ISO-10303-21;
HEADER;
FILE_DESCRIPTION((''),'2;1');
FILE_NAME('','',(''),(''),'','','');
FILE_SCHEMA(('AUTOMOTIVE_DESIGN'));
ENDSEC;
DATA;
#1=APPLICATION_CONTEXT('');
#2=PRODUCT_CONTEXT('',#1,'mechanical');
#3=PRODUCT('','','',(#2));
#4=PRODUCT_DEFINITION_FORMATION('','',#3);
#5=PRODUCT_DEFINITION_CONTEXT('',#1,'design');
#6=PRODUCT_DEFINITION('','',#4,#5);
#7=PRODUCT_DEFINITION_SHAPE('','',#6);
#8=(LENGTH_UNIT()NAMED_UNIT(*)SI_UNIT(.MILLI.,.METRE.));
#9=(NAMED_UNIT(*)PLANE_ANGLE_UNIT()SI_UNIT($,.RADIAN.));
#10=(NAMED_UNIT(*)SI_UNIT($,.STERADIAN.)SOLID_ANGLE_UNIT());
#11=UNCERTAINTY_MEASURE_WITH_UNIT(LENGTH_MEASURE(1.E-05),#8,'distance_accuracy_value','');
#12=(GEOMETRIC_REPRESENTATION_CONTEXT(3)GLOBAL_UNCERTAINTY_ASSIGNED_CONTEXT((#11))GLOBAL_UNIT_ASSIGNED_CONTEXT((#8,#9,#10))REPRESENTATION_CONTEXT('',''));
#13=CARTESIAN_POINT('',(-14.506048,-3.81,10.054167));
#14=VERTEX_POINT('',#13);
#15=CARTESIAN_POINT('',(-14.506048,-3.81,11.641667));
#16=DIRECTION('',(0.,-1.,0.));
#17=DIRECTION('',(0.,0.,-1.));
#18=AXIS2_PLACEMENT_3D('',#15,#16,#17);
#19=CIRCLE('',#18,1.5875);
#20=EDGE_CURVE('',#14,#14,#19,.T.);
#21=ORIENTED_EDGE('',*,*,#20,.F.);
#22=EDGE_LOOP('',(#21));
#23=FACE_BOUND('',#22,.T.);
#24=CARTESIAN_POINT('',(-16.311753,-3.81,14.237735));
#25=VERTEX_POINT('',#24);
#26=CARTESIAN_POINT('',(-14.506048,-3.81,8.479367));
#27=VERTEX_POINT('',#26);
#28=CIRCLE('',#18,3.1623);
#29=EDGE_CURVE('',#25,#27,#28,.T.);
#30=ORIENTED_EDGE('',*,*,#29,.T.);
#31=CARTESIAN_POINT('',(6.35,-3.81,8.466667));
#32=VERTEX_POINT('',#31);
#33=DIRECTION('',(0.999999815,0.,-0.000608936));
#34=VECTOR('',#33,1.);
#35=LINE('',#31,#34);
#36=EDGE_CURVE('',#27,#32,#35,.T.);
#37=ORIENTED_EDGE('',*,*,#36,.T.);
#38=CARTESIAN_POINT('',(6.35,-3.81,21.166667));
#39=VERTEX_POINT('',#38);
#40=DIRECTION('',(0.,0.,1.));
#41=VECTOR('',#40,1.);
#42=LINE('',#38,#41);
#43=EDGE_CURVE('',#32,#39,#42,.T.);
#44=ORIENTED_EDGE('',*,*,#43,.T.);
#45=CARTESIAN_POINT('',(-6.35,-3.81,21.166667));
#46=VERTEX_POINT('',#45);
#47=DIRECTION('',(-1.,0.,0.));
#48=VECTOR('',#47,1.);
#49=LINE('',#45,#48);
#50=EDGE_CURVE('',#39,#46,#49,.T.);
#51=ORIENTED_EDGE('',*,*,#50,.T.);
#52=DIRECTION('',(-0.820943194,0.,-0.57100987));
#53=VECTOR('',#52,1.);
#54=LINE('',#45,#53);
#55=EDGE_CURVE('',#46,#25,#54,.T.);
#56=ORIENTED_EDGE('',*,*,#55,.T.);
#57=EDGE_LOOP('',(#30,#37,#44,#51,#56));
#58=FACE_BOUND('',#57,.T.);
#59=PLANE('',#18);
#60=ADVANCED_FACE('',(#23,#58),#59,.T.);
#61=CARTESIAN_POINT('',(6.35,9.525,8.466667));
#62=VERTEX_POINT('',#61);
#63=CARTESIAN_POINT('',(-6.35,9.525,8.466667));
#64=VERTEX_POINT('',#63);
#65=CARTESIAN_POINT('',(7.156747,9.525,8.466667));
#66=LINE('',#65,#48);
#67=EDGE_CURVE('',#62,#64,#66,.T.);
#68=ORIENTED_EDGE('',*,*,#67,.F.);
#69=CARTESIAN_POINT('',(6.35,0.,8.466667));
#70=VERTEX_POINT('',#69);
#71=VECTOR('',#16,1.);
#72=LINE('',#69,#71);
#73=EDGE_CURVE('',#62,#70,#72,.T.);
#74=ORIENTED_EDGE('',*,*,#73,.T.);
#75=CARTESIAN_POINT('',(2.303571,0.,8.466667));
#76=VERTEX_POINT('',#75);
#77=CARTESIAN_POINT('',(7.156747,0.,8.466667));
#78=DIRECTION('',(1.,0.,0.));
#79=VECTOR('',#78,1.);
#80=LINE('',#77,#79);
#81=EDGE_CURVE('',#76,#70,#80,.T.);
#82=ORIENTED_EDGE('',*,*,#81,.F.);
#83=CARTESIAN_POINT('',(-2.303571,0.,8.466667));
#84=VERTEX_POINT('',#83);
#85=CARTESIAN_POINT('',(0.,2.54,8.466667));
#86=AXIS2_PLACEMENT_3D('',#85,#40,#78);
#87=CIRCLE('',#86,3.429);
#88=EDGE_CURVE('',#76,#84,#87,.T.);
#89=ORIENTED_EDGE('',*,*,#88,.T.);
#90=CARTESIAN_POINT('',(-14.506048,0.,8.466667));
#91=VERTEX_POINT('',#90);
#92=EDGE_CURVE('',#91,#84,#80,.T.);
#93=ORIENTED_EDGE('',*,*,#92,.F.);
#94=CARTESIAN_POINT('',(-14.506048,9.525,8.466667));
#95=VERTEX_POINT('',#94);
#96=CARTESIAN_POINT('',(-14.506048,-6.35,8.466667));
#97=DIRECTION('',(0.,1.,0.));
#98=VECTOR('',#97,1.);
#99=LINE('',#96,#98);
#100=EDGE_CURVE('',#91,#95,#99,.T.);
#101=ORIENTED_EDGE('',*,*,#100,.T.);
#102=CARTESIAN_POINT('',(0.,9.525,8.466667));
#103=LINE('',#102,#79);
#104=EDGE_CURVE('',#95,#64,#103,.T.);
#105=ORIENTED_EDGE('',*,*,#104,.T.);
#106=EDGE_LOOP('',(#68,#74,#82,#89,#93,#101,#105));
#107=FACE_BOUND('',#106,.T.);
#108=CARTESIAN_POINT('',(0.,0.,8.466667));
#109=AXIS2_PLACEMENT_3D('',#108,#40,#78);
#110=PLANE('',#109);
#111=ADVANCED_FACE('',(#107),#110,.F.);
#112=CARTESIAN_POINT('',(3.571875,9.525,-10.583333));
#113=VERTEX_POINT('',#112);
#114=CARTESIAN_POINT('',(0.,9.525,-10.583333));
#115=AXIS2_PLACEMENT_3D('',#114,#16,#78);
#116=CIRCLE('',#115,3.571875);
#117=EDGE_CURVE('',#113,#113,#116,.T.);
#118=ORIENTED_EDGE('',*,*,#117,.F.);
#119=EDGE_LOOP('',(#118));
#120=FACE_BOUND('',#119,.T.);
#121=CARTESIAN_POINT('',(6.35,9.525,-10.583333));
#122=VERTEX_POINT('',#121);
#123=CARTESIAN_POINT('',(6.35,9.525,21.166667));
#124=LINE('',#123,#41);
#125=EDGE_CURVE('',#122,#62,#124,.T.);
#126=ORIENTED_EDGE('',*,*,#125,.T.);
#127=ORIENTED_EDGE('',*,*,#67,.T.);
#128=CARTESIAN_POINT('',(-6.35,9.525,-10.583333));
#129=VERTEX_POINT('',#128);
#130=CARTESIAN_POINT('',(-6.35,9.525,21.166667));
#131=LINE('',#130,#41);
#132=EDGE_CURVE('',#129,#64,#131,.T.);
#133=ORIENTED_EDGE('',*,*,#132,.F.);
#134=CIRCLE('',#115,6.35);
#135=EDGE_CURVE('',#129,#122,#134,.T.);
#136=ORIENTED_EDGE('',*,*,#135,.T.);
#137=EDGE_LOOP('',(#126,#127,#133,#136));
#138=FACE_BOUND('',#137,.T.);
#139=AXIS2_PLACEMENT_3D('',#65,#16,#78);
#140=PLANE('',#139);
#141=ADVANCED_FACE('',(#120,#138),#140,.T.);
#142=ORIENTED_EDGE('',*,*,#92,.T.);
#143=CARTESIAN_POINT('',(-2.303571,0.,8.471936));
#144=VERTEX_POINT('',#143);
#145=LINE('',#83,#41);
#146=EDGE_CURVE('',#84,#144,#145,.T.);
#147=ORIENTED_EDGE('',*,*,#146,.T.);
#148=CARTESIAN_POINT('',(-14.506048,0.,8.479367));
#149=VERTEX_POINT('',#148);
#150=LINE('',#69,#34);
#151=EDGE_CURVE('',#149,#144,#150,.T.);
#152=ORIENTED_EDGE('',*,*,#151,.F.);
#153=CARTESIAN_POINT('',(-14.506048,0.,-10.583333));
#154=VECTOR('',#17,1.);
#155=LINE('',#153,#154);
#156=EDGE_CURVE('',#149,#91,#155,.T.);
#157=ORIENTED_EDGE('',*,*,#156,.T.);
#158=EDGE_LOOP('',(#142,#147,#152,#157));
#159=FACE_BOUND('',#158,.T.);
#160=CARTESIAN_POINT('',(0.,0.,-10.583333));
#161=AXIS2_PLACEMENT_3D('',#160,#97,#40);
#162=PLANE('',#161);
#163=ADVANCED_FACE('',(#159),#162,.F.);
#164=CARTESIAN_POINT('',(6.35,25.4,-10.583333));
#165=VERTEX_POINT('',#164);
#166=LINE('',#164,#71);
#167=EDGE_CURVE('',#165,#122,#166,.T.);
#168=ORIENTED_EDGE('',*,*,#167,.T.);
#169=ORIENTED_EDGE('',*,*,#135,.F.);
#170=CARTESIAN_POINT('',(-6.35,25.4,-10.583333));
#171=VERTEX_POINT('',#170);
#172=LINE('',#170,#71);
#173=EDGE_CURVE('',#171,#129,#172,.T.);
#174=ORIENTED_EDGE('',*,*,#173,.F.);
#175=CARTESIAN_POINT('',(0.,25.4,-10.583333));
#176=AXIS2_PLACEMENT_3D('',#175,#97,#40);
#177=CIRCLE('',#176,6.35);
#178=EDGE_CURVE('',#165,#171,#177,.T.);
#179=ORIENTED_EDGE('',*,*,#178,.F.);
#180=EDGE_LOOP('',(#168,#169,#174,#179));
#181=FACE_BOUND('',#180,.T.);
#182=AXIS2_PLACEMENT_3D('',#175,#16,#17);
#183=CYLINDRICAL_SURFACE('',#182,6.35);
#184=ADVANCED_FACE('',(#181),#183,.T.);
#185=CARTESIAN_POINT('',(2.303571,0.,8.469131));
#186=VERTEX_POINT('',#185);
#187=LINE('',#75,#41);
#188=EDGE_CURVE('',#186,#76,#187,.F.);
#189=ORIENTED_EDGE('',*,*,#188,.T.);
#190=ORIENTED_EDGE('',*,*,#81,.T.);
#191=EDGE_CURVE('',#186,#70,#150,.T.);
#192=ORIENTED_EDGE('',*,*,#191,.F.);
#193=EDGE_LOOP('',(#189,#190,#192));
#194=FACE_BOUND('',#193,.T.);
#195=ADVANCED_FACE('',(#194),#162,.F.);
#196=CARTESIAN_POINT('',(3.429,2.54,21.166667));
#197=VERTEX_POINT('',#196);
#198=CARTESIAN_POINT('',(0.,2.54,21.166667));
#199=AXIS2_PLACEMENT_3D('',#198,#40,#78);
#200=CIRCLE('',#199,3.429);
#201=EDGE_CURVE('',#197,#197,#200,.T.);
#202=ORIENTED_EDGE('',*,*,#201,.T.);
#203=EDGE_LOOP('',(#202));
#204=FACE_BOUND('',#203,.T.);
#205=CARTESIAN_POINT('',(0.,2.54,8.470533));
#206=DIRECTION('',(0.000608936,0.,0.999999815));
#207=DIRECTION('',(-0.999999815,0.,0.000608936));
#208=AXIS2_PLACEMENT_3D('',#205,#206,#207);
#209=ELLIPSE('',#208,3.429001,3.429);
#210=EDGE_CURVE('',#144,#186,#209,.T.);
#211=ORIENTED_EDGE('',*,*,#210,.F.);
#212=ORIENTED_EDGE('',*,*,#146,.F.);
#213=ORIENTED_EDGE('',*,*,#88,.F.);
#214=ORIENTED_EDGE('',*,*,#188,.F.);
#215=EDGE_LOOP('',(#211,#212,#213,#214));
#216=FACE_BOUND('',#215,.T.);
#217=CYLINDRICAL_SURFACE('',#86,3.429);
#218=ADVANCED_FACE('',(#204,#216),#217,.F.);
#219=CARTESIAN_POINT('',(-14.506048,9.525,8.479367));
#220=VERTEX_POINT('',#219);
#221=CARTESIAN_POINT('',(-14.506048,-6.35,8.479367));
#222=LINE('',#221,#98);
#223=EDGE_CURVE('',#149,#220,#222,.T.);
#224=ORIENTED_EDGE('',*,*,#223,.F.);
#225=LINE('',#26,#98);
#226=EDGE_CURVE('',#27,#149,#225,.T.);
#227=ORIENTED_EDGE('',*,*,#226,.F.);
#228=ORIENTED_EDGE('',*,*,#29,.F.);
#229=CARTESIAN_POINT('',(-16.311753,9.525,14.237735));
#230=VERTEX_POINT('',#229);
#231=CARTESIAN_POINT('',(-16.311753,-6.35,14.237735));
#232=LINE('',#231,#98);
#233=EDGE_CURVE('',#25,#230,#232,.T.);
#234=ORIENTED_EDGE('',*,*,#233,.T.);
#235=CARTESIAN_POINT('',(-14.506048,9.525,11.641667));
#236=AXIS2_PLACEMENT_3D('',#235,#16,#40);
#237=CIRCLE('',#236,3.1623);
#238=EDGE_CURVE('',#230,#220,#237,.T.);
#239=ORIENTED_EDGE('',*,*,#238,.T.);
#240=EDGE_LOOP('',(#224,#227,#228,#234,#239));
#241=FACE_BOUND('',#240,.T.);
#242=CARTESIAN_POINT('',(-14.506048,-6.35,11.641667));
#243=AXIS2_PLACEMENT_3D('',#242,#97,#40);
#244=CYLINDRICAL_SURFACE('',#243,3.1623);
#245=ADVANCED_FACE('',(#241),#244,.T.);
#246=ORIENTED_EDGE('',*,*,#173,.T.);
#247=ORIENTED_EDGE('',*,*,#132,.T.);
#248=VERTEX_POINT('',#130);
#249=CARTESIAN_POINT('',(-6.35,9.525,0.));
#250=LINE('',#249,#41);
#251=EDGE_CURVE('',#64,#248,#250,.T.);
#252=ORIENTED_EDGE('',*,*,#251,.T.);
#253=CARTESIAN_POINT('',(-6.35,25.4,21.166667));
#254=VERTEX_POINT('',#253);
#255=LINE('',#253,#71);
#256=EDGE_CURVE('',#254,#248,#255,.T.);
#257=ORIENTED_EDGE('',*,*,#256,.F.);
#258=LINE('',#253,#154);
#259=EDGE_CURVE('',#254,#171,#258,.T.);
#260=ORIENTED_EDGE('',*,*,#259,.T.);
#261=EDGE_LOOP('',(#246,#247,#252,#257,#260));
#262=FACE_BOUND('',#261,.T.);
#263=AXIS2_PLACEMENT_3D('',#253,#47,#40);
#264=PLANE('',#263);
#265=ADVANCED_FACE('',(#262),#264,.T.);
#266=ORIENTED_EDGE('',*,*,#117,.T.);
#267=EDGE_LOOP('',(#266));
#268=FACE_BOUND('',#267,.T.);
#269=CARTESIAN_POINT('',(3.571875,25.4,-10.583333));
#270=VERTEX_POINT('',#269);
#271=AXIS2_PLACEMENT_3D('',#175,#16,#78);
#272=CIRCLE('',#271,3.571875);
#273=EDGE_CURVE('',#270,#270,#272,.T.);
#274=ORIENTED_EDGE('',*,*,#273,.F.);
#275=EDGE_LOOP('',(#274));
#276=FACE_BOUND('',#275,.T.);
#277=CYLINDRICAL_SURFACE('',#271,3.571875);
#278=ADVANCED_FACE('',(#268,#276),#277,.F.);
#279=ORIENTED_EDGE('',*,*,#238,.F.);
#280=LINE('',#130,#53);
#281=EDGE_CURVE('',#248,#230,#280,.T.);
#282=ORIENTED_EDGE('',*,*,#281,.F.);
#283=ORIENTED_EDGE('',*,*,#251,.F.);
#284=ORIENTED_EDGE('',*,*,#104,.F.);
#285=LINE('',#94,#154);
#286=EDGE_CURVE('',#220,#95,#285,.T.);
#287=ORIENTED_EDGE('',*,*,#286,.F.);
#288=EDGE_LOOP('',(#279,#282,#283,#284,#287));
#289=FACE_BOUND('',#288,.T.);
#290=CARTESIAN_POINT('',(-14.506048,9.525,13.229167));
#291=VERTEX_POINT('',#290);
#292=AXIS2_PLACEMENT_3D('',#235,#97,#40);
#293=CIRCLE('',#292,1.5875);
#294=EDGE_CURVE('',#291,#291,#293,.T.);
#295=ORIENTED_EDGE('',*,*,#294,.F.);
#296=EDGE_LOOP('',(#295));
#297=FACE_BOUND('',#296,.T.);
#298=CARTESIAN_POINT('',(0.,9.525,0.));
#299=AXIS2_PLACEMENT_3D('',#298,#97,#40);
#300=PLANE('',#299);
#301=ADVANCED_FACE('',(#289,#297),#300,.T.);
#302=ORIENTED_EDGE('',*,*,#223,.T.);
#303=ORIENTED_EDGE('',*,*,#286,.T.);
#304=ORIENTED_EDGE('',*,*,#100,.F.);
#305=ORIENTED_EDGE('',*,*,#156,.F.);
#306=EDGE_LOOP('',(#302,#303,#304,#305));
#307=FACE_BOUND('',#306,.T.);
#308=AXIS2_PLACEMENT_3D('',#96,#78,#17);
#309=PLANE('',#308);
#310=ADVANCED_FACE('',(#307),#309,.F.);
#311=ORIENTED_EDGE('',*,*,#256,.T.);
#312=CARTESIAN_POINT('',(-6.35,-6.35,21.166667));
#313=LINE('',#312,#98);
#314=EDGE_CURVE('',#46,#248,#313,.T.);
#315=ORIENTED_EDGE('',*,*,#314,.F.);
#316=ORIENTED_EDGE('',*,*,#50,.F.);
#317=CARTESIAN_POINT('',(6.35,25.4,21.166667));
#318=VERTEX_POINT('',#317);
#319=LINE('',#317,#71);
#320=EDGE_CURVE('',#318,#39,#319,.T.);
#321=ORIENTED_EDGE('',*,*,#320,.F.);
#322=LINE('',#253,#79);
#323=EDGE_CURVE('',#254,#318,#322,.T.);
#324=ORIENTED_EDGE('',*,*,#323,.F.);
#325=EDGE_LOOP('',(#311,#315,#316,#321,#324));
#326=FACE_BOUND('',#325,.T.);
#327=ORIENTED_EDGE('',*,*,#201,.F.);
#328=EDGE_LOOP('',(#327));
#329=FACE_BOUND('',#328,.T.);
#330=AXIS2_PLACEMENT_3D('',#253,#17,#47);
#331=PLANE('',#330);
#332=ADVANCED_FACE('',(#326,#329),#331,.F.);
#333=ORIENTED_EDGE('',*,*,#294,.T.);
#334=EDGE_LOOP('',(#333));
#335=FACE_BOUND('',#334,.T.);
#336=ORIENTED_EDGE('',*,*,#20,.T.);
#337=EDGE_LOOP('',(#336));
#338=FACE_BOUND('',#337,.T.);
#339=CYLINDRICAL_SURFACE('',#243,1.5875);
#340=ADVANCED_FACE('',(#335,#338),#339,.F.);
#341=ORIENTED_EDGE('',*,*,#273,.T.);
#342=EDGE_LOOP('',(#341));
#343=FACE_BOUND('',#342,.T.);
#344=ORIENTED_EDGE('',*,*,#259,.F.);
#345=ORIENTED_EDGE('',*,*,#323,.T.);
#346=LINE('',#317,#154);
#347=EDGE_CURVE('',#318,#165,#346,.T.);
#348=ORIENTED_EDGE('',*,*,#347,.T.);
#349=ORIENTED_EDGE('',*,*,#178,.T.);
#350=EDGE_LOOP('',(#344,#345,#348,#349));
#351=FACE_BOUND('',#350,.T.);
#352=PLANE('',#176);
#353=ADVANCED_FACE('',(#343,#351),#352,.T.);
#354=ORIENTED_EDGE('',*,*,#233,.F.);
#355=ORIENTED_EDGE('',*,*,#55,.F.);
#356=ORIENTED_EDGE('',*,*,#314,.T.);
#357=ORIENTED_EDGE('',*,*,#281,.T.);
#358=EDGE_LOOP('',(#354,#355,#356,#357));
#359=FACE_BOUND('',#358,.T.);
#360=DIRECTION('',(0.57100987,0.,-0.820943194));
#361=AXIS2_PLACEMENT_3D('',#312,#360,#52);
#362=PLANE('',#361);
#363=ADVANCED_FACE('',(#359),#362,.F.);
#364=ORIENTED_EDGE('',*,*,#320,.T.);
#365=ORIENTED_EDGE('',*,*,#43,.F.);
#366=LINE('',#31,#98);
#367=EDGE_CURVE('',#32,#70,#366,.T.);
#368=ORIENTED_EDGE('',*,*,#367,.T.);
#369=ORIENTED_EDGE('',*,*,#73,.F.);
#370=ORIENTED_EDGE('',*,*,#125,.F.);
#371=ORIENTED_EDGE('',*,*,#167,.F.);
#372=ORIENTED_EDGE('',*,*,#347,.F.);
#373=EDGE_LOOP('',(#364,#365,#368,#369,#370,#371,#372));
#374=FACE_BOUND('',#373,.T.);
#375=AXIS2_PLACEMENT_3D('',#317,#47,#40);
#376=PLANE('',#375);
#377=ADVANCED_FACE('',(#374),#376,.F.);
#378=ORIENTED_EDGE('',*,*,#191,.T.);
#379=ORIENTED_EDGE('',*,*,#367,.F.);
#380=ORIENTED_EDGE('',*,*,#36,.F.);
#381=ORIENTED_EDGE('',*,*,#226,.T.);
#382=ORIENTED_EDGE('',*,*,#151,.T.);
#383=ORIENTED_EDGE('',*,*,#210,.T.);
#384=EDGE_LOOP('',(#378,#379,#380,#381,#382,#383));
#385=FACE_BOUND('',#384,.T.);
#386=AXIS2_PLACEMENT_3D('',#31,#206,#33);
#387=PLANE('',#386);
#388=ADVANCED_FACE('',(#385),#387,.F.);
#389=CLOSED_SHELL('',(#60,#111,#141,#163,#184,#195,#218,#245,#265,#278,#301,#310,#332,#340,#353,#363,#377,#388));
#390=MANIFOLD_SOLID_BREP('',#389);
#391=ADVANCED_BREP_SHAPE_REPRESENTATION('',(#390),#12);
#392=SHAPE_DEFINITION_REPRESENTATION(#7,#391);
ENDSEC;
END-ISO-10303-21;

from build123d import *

# Parameters (mm, degrees)
BOSS_EXTRUDE4_DEPTH = 25.4
CUT_EXTRUDE1_REACH  = 35.668
SKETCH7_R           = 3.175
SKETCH9_W           = 14.069203901
SKETCH9_H           = 9.525
CUT_EXTRUDE2_DEPTH  = 25.4
SKETCH10_W          = 12.7
SKETCH10_H          = 9.525
BOSS_EXTRUDE5_DEPTH = 12.7
SKETCH11_R          = 1.5875
CUT_EXTRUDE3_DEPTH  = 12.7
SKETCH13_W          = 13.214088126
SKETCH13_H          = 21.166666667
CUT_EXTRUDE5_DEPTH  = 9.525
SKETCH14_W          = 12.7
SKETCH14_H          = 9.525
BOSS_EXTRUDE6_DEPTH = 12.7
CUT_EXTRUDE7_DEPTH  = 12.7
BOSS_EXTRUDE7_DEPTH = 9.525
SKETCH17_R          = 3.175
BOSS_EXTRUDE8_DEPTH = 15.875
SKETCH18_R          = 3.571875
CUT_EXTRUDE8_DEPTH  = 15.875
SKETCH19_R          = 1.587499998
CUT_EXTRUDE9_DEPTH  = 15.875
SKETCH20_R          = 1.587499998
BOSS_EXTRUDE9_DEPTH = 3.81
SKETCH21_R          = 3.429
CUT_EXTRUDE10_DEPTH = 12.7


with BuildPart() as part:
    # Sketch6 → Boss-Extrude4 (new body)
    with BuildSketch(Plane(origin=(0, 0, 0), x_dir=(1, 0, 0), z_dir=(0, 1, 0))):
        with BuildLine():
            Line((-6.35, -21.166666667), (6.35, -21.166666667))
            Line((6.35, -21.166666667), (6.35, 10.583333333))
            ThreePointArc((6.35, 10.583333333), (0, 16.933333333), (-6.35, 10.583333333))
            Line((-6.35, 10.583333333), (-6.35, -21.166666667))
        make_face()
    extrude(amount=BOSS_EXTRUDE4_DEPTH)

    # Sketch7 → Cut-Extrude1 (cut, up to next)
    with BuildSketch(Plane.XZ, mode=Mode.PRIVATE) as cut_extrude1_sk1:
        with Locations(Location((0, -10.583333333, 0), (0, 0, 270))):
            Circle(SKETCH7_R)
    cut_extrude1_tool1 = extrude(cut_extrude1_sk1.sketch, amount=-CUT_EXTRUDE1_REACH, mode=Mode.PRIVATE) & part.part
    add(cut_extrude1_tool1.solids().sort_by_distance((0, 0, -10.583333))[0], mode=Mode.SUBTRACT)

    # Sketch9 → Cut-Extrude2 (cut)
    with BuildSketch(Plane.XY.offset(-16.933333333)):
        with Locations((0.122145241, 4.7625)):
            Rectangle(SKETCH9_W, SKETCH9_H)
    extrude(amount=CUT_EXTRUDE2_DEPTH, mode=Mode.SUBTRACT)

    # Sketch10 → Boss-Extrude5 (add)
    with BuildSketch(Plane(origin=(6.35, 0, 0), x_dir=(0, 0, -1), z_dir=(1, 0, 0))):
        with Locations((-14.816666667, 4.7625)):
            Rectangle(SKETCH10_W, SKETCH10_H)
    extrude(amount=BOSS_EXTRUDE5_DEPTH)

    # Sketch11 → Cut-Extrude3 (cut)
    with BuildSketch(Plane(origin=(0, 9.525, 0), x_dir=(1, 0, 0), z_dir=(0, 1, 0))):
        with BuildLine():
            ThreePointArc((15.875, -8.466666667), (15.927897388, -8.467107348), (15.980780092, -8.468429271))
            ThreePointArc((15.980780092, -8.468429271), (18.157156523, -9.434318347), (19.05, -11.641666667))
            Line((19.05, -11.641666667), (19.05, -8.466666667))
            Line((19.05, -8.466666667), (15.875, -8.466666667))
        make_face()
        with BuildLine():
            Line((12.847839644, -12.599228768), (6.35, -21.166666667))
            Line((6.35, -21.166666667), (19.05, -21.166666667))
            Line((19.05, -21.166666667), (19.05, -11.641666667))
            ThreePointArc((19.05, -11.641666667), (16.359453749, -14.779489091), (12.847839644, -12.599228768))
        make_face()
        with Locations(Location((15.875, -11.641666667, 0), (0, 0, 270))):
            Circle(SKETCH11_R)
    extrude(amount=-CUT_EXTRUDE3_DEPTH, mode=Mode.SUBTRACT)

    # Sketch13 → Cut-Extrude5 (cut)
    with BuildSketch(Plane(origin=(0, 9.525, 0), x_dir=(1, 0, 0), z_dir=(0, 1, 0))):
        with Locations((12.957044063, -10.583333334)):
            Rectangle(SKETCH13_W, SKETCH13_H)
    extrude(amount=-CUT_EXTRUDE5_DEPTH, mode=Mode.SUBTRACT)

    # Sketch14 → Boss-Extrude6 (add)
    with BuildSketch(Plane.ZY.offset(6.35)):
        with Locations((14.816666667, 4.7625)):
            Rectangle(SKETCH14_W, SKETCH14_H)
    extrude(amount=BOSS_EXTRUDE6_DEPTH)

    # Sketch15 → Cut-Extrude7 (cut)
    with BuildSketch(Plane(origin=(0, 9.525, 0), x_dir=(1, 0, 0), z_dir=(0, 1, 0))):
        Polygon((-6.35, -8.466666667), (-14.506048031, -8.466666667), (-19.05, -8.466666667), (-19.05, -21.166666667), (-6.35, -21.166666667), align=None)
    extrude(amount=-CUT_EXTRUDE7_DEPTH, mode=Mode.SUBTRACT)

    # Sketch16 → Boss-Extrude7 (add)
    with BuildSketch(Plane(origin=(0, 9.525, 0), x_dir=(1, 0, 0), z_dir=(0, 1, 0))):
        Polygon((-17.681048031, -21.166666667), (-6.35, -21.166666667), (-6.35, -8.466666667), (-13.303781858, -8.466666667), (-17.681048031, -8.466666667), (-17.681048031, -11.641666667), align=None)
    extrude(amount=-BOSS_EXTRUDE7_DEPTH)

    # Sketch17 → Boss-Extrude8 (add)
    with BuildSketch(Plane.XZ.offset(-9.525)):
        with Locations((0, -10.583333333)):
            Circle(SKETCH17_R)
    extrude(amount=-BOSS_EXTRUDE8_DEPTH)

    # Sketch18 → Cut-Extrude8 (cut)
    with BuildSketch(Plane.XZ.offset(-9.525)):
        with Locations((0, -10.583333333)):
            Circle(SKETCH18_R)
    extrude(amount=-CUT_EXTRUDE8_DEPTH, mode=Mode.SUBTRACT)

    # Sketch19 → Cut-Extrude9 (cut)
    with BuildSketch(Plane(origin=(0, 9.525, 0), x_dir=(1, 0, 0), z_dir=(0, 1, 0))):
        with Locations(Location((-14.50604803, -11.641666664, 0), (0, 0, 270))):
            Circle(SKETCH19_R)
        with BuildLine():
            Line((-17.681048031, -8.466666667), (-14.50604803, -8.466666667))
            Line((-14.50604803, -8.466666667), (-14.50604803, -8.479366664))
            ThreePointArc((-14.50604803, -8.479366664), (-17.523471535, -10.695465482), (-16.311752542, -14.237735328))
            Line((-16.311752542, -14.237735328), (-6.35, -21.166666667))
            Line((-6.35, -21.166666667), (-17.681048031, -21.166666667))
            Line((-17.681048031, -21.166666667), (-17.681048031, -8.466666667))
        make_face()
    extrude(amount=-CUT_EXTRUDE9_DEPTH, mode=Mode.SUBTRACT)

    # Sketch20 → Boss-Extrude9 (add)
    with BuildSketch(Plane.XZ):
        with BuildLine():
            Line((-6.35, 21.166666667), (6.35, 21.166666667))
            Line((6.35, 21.166666667), (6.35, 8.466666667))
            Line((6.35, 8.466666667), (-14.50604803, 8.479366664))
            ThreePointArc((-14.50604803, 8.479366664), (-17.523471535, 10.695465482), (-16.311752542, 14.237735328))
            Line((-16.311752542, 14.237735328), (-6.35, 21.166666667))
        make_face()
        with Locations(Location((-14.50604803, 11.641666664, 0), (0, 0, 90))):
            Circle(SKETCH20_R, mode=Mode.SUBTRACT)
    extrude(amount=BOSS_EXTRUDE9_DEPTH)

    # Sketch21 → Cut-Extrude10 (cut)
    with BuildSketch(Plane.XY.offset(21.166666667)):
        with Locations((0, 2.54)):
            Circle(SKETCH21_R)
    extrude(amount=-CUT_EXTRUDE10_DEPTH, mode=Mode.SUBTRACT)


solid = part.part
